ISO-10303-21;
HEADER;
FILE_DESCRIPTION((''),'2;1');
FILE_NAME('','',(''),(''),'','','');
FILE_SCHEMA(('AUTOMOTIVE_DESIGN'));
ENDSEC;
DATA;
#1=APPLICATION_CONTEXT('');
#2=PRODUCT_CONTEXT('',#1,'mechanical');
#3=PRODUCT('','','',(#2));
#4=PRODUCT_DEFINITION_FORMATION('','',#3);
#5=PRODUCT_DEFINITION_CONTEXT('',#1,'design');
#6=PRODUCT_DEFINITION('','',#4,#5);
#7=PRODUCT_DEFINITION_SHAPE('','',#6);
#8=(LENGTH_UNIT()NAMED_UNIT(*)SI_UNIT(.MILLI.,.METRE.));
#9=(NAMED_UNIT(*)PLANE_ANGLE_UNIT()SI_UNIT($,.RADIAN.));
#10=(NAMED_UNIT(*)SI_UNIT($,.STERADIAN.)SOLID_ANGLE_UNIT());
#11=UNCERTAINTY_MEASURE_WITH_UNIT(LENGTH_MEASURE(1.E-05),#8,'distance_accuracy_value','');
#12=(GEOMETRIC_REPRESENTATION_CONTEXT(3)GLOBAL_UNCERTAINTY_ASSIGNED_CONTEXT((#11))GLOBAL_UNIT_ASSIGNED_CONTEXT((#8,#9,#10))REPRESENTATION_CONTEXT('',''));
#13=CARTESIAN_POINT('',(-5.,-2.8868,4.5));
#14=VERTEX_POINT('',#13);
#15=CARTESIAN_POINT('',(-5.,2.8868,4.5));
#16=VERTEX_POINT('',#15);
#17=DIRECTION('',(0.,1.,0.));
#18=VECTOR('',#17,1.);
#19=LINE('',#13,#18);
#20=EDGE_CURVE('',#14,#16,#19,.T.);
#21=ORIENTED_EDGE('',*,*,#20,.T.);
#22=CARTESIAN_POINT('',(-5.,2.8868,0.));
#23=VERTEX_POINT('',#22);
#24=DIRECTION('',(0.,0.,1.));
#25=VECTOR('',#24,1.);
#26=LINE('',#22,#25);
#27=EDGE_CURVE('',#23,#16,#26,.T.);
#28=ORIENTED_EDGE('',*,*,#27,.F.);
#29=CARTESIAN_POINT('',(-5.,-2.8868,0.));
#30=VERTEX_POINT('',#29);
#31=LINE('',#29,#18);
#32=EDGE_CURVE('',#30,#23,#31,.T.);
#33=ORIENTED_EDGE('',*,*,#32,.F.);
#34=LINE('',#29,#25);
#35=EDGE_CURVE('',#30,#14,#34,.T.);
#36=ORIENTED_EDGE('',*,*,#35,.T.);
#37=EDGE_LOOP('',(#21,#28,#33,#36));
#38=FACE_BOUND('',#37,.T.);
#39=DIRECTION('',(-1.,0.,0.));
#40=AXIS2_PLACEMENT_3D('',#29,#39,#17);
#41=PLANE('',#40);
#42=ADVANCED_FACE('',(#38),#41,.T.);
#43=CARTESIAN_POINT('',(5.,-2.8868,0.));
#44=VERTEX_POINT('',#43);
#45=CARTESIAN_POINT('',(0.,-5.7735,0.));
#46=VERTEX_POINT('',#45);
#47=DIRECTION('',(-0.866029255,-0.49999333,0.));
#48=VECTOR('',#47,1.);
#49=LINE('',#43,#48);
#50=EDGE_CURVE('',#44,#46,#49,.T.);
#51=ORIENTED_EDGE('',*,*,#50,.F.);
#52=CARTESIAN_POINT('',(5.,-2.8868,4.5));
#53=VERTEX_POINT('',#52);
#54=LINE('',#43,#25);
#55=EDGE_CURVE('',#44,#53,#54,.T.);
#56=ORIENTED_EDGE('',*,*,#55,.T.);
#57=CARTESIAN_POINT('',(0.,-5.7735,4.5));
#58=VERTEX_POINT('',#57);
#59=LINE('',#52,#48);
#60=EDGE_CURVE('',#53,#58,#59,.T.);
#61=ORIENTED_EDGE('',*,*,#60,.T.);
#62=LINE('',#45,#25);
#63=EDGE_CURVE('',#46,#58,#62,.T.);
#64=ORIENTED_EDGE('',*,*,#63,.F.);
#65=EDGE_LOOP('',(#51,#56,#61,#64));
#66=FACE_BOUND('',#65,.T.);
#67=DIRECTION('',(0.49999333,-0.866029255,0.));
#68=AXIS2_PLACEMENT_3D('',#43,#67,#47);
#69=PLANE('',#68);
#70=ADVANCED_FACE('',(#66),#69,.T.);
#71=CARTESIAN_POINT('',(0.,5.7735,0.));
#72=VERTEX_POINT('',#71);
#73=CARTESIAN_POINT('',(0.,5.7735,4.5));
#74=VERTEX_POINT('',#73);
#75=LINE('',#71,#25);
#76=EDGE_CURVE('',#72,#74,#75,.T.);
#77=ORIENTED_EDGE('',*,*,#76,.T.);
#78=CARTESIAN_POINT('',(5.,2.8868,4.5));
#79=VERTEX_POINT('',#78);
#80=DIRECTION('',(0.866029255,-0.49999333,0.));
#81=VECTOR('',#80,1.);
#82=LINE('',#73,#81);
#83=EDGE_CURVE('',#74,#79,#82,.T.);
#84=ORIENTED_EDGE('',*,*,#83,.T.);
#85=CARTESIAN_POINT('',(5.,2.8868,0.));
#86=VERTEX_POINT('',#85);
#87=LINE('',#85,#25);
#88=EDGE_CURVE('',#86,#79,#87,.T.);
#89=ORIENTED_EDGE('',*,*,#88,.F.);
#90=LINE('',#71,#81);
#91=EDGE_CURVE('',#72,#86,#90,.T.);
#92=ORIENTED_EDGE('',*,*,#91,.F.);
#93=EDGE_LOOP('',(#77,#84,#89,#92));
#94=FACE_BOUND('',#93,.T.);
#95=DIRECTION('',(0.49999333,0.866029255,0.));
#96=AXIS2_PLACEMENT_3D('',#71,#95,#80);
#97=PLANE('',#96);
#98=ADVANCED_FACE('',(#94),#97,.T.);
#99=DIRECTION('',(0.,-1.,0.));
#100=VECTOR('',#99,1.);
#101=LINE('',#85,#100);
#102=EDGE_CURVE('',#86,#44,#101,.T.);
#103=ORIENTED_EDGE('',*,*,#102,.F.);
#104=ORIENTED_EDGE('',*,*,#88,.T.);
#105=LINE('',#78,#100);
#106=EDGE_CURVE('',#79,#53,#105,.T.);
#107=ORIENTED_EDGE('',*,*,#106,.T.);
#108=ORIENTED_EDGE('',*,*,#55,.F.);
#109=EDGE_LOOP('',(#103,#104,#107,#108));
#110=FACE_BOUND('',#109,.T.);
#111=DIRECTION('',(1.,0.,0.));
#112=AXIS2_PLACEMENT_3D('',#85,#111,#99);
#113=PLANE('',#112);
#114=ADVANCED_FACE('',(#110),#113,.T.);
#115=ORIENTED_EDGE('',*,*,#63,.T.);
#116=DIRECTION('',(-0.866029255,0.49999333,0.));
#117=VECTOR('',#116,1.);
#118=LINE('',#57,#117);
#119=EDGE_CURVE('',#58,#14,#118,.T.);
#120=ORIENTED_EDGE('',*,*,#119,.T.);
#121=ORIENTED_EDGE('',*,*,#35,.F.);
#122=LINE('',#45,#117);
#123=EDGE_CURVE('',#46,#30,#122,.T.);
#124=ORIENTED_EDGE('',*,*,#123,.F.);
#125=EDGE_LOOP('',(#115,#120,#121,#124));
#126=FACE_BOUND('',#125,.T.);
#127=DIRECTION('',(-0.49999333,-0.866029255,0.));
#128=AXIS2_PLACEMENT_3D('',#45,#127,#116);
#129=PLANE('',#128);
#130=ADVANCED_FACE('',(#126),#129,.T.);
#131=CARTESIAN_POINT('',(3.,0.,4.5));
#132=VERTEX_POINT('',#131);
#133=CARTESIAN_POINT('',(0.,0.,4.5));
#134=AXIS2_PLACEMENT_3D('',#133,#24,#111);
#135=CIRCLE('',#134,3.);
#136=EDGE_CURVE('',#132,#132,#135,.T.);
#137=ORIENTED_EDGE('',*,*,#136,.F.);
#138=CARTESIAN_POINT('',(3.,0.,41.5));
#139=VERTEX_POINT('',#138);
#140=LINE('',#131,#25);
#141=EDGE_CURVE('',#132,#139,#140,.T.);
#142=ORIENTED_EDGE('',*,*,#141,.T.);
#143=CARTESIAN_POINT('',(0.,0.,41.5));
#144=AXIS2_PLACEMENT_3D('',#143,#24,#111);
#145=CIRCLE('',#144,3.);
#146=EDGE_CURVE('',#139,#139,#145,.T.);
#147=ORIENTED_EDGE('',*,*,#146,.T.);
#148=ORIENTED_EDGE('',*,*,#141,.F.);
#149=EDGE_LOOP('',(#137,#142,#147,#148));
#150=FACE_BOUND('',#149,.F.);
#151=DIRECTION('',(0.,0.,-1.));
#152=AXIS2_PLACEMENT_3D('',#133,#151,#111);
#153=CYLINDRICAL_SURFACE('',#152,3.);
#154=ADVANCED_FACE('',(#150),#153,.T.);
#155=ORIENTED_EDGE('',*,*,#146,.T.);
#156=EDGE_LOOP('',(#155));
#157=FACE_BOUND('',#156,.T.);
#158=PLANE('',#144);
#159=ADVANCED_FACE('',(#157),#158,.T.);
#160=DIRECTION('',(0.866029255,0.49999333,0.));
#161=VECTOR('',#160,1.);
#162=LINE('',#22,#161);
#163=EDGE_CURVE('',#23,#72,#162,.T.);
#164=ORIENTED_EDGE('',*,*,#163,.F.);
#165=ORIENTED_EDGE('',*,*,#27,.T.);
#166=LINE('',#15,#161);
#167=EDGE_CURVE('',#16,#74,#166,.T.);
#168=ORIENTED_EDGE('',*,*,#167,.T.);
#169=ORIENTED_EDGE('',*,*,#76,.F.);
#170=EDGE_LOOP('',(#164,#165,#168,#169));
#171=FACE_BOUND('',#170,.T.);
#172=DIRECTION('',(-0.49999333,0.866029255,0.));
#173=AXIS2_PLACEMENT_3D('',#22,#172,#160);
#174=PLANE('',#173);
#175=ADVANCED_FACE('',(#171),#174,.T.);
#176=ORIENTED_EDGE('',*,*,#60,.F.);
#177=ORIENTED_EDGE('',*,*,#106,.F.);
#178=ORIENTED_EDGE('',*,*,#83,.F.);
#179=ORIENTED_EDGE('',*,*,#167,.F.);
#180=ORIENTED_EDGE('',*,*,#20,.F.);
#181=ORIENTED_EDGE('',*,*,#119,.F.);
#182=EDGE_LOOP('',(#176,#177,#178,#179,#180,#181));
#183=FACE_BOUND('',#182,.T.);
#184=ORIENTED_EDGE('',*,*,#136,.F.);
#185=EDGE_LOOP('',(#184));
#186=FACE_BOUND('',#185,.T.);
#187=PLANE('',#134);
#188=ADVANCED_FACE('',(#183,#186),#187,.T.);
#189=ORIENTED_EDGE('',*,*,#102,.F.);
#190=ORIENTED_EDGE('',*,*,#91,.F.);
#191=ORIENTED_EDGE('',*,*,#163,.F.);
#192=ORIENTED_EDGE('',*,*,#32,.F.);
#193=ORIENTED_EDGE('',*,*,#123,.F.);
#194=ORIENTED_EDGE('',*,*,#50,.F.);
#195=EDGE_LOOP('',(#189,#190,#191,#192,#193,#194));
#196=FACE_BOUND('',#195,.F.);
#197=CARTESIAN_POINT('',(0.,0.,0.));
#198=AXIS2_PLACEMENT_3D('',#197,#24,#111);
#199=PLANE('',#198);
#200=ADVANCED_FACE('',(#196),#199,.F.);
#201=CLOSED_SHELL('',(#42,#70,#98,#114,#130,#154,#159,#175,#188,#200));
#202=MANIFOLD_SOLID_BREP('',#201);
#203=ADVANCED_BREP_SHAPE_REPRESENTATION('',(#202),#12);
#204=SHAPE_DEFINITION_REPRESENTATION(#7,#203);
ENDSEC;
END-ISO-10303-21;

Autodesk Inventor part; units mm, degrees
ref_plane "YZ Plane" through (0, 0, 0) normal (1, 0, 0) x (0, 1, 0)
ref_plane "XZ Plane" through (0, 0, 0) normal (0, 1, 0) x (-1, 0, 0)
ref_plane "XY Plane" through (0, 0, 0) normal (0, 0, 1) x (1, 0, 0)
sketch "Skizze1" plane through (0, 0, 0) normal (0, 0, 1) x (1, 0, 0)
  line L0 (0, 5.7735) -> (5, 2.8868)
  line L1 (5, 2.8868) -> (5, -2.8868)
  line L2 (5, -2.8868) -> (0, -5.7735)
  line L3 (0, -5.7735) -> (-5, -2.8868)
  line L4 (-5, -2.8868) -> (-5, 2.8868)
  line L5 (-5, 2.8868) -> (0, 5.7735)
  point P0 (0, 0)
  point P1 (0, 0)
  dimension "d0" = 10
extrude "Extrusion1" add sketch "Skizze1" along normal blind 4.5
sketch "Skizze2" plane through (0, 0, 4.5) normal (0, 0, 1) x (1, 0, 0)
  circle A0 centre (0, 0) radius 3
  dimension "d3" = 6
extrude "Extrusion2" add sketch "Skizze2" along normal blind 37
properties part number "Bolzen6mm" material "Messing, weicher Gelbton"
